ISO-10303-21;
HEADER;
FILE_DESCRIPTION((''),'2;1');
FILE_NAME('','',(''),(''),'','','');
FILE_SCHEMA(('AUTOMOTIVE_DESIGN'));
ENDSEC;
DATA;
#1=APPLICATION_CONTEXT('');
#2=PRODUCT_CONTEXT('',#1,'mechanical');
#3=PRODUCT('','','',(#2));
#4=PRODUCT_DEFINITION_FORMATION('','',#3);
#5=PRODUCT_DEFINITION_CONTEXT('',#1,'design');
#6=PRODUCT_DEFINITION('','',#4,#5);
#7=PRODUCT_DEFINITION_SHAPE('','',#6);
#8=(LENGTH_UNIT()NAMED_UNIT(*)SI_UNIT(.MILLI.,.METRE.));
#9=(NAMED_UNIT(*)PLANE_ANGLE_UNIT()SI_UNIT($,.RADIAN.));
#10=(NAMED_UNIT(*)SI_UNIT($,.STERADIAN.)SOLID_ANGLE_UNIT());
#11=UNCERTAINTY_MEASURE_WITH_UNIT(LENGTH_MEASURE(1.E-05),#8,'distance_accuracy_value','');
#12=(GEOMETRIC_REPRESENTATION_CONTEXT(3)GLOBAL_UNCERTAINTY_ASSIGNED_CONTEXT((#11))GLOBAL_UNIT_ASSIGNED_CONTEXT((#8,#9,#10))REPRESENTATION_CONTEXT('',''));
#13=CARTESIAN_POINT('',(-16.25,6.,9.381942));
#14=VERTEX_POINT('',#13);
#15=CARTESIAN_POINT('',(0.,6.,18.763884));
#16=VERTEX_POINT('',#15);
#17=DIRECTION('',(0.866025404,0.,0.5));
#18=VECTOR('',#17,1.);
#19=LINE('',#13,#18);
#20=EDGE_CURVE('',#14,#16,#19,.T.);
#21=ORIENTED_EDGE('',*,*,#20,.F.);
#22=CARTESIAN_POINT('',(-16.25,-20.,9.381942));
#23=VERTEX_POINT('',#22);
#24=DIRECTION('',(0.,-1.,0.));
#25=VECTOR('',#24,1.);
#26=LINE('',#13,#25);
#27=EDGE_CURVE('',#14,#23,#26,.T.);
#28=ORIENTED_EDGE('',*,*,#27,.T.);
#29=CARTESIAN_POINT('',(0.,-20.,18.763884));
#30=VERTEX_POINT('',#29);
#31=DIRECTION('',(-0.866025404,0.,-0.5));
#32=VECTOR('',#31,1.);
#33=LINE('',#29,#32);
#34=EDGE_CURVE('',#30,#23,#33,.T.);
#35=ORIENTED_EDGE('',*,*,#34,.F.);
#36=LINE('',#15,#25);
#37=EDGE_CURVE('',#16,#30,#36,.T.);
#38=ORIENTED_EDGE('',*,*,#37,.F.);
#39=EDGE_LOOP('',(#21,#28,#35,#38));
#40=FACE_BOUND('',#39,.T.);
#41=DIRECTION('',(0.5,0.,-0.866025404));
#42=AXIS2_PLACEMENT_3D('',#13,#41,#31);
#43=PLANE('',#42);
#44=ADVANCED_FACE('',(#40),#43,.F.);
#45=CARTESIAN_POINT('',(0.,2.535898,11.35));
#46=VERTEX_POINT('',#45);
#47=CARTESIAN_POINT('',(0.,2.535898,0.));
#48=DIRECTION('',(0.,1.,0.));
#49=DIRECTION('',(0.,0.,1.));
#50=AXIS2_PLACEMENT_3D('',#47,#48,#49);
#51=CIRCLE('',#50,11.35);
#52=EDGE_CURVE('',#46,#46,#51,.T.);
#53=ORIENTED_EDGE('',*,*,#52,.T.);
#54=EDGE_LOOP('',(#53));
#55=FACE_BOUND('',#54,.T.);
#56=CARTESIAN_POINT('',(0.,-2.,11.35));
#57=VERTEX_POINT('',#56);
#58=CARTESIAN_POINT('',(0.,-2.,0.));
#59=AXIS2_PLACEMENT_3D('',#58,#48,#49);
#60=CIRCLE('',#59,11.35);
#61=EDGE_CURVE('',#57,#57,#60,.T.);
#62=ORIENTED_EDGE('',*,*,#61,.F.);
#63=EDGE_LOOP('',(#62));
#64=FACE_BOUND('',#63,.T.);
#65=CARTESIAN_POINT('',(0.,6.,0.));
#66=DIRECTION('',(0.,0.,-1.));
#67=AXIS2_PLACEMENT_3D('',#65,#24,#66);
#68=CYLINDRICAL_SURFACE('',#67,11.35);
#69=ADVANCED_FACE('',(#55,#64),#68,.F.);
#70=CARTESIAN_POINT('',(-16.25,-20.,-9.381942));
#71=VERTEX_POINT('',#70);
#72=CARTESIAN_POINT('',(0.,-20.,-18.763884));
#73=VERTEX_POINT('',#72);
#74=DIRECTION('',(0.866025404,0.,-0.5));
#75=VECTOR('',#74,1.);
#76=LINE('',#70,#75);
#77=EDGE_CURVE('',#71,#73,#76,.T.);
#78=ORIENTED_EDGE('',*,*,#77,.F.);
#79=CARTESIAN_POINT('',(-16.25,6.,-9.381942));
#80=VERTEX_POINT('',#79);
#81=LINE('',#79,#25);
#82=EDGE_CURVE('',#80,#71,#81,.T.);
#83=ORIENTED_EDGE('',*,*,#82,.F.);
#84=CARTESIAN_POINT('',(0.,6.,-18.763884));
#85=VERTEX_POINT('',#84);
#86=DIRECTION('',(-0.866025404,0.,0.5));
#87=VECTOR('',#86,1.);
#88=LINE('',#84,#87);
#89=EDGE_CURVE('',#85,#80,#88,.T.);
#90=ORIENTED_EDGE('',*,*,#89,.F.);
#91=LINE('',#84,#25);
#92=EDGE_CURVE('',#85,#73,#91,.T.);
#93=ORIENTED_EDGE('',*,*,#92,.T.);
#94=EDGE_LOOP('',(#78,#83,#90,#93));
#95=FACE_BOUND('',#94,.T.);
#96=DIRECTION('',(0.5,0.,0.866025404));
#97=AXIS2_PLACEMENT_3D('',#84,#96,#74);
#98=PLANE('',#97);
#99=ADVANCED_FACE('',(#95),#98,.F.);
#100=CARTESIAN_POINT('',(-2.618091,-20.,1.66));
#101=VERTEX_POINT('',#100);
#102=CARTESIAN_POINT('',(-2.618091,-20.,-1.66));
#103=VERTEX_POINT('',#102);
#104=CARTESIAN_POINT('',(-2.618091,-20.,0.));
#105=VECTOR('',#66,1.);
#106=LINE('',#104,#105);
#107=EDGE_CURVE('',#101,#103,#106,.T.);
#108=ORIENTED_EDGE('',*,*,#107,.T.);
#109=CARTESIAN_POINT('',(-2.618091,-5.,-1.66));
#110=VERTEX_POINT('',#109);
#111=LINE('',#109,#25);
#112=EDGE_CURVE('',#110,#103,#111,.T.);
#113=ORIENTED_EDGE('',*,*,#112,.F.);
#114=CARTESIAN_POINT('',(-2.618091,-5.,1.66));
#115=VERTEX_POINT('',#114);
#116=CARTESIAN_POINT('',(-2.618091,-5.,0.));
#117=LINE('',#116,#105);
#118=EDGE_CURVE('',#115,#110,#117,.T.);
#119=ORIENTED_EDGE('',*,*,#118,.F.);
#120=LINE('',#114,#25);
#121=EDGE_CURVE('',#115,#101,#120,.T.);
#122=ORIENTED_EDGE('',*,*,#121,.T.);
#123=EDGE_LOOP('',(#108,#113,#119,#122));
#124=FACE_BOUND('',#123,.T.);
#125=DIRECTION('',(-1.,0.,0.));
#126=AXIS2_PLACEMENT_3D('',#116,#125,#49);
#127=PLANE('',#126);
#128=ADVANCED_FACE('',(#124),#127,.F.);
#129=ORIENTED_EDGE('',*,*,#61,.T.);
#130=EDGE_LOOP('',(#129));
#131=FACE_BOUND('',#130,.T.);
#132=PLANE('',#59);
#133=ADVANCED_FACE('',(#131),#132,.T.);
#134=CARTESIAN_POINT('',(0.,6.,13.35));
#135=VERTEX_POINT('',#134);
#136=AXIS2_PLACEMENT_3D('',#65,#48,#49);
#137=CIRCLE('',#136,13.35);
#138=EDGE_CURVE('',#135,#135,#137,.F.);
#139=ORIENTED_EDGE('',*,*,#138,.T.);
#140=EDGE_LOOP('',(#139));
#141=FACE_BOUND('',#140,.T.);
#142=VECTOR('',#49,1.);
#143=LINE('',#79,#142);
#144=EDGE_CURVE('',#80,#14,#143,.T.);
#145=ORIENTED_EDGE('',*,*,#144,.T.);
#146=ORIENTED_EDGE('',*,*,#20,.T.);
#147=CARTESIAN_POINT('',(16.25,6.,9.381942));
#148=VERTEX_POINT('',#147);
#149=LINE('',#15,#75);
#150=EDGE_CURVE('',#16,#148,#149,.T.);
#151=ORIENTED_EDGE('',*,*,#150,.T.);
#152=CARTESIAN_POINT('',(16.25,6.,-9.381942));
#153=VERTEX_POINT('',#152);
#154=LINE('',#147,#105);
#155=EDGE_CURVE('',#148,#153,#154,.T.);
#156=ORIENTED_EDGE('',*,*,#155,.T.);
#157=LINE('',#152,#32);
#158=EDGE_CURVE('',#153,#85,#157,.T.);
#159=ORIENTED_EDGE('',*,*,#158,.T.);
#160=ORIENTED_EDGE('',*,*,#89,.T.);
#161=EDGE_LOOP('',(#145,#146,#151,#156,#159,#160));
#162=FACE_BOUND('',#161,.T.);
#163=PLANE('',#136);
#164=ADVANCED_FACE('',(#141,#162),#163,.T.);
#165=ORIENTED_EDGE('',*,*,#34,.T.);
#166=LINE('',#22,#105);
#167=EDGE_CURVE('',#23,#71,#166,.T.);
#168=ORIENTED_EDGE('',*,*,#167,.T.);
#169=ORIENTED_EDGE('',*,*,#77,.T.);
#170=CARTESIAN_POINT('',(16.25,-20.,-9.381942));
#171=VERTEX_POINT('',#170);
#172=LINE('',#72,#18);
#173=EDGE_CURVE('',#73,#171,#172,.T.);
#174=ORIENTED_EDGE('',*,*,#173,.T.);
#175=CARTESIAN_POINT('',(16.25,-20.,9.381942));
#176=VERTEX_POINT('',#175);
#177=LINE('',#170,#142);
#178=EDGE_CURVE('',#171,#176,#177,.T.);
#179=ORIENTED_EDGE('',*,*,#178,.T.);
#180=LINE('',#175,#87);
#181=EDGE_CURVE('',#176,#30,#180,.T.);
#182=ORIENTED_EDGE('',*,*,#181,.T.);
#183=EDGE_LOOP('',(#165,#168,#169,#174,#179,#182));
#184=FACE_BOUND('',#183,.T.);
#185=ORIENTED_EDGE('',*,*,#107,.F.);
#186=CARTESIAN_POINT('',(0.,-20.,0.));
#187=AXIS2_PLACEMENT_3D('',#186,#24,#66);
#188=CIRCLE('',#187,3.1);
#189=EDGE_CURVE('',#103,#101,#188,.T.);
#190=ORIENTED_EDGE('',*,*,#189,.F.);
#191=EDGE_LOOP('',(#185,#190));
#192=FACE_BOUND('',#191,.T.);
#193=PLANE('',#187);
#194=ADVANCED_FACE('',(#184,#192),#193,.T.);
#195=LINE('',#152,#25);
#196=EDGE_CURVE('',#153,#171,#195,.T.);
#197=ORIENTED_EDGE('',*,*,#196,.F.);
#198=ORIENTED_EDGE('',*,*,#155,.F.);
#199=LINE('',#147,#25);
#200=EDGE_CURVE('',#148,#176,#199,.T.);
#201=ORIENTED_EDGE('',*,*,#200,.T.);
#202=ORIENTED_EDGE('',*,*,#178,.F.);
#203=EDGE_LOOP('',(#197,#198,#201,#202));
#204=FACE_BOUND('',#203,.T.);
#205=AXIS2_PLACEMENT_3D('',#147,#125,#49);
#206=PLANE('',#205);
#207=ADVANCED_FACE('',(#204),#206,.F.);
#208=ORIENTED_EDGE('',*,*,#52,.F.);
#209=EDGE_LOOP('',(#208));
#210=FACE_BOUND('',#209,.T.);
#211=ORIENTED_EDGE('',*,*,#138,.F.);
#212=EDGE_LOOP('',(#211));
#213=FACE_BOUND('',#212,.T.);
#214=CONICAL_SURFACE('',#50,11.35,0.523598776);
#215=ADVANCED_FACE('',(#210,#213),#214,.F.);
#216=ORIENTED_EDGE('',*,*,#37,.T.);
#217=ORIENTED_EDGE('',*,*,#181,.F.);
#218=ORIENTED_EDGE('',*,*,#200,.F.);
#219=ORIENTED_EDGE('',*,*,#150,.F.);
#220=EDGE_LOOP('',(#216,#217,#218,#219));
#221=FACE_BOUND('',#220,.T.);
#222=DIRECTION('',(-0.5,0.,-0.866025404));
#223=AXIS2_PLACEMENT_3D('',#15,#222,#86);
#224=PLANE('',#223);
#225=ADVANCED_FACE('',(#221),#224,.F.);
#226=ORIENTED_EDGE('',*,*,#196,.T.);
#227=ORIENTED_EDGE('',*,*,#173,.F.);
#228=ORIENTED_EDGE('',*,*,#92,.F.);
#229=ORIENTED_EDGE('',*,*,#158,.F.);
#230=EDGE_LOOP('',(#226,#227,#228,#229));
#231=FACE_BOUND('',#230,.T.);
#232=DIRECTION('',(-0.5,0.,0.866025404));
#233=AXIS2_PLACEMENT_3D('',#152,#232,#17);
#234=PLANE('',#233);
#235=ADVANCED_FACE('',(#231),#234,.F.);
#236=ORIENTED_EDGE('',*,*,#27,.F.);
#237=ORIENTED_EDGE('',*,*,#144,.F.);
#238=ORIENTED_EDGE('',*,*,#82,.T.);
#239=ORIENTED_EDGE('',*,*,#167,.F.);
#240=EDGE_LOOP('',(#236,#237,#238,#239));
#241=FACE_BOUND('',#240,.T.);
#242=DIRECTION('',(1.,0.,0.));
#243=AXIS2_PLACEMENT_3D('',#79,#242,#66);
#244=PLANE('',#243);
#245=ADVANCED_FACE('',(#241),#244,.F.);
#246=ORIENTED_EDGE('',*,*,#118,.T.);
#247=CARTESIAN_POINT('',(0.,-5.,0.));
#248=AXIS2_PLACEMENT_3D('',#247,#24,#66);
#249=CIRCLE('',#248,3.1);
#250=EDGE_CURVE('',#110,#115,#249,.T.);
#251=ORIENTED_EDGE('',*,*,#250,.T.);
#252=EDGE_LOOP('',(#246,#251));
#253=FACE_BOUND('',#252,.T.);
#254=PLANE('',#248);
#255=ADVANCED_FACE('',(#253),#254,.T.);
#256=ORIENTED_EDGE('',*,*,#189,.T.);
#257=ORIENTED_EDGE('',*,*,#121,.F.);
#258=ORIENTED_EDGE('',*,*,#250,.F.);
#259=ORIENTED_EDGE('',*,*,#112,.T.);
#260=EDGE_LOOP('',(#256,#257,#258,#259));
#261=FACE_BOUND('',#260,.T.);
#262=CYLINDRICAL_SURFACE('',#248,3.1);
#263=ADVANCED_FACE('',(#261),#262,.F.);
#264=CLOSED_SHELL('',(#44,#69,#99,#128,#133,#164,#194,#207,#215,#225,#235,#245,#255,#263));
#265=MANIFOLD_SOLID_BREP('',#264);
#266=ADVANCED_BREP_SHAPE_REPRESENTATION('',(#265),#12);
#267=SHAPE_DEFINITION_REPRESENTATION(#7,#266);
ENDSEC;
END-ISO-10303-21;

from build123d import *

# Parameters (mm, degrees)
SKETCH1_R           = 11.35
BOSS_EXTRUDE1_DEPTH = 6
BOSS_EXTRUDE4_DEPTH = 20
CUT_EXTRUDE2_DEPTH  = 15
CHAMFER3_SIZE       = 2
CHAMFER3_SIZE2      = 3.464101615
CUT_EXTRUDE4_START  = -2
SKETCH9_R           = 11.35
CUT_EXTRUDE4_DEPTH  = 2


with BuildPart() as part:
    # Sketch1 → Boss-Extrude1 (new body)
    with BuildSketch(Plane(origin=(0, 0, 0), x_dir=(1, 0, 0), z_dir=(0, 1, 0))):
        Polygon((16.25, 9.381941874), (0, 18.763883749), (-16.25, 9.381941874), (-16.25, -9.381941874), (0, -18.763883749), (16.25, -9.381941874), align=None)
        Circle(SKETCH1_R, mode=Mode.SUBTRACT)
    extrude(amount=BOSS_EXTRUDE1_DEPTH)

    # Sketch5 → Boss-Extrude4 (add)
    with BuildSketch(Plane.XZ):
        Polygon((16.25, 9.381941874), (0, 18.763883749), (-16.25, 9.381941874), (-16.25, -9.381941874), (0, -18.763883749), (16.25, -9.381941874), align=None)
    extrude(amount=BOSS_EXTRUDE4_DEPTH)

    # Sketch6 → Cut-Extrude2 (cut)
    with BuildSketch(Plane.XZ.offset(20)):
        with BuildLine():
            ThreePointArc((-2.618090908, -1.66), (3.1, 0), (-2.618090908, 1.66))
            Line((-2.618090908, 1.66), (-2.618090908, -1.66))
        make_face()
    extrude(amount=-CUT_EXTRUDE2_DEPTH, mode=Mode.SUBTRACT)

    # Chamfer3
    chamfer3_edges = [part.edges().sort_by_distance(p)[0] for p in [
        (-11.35, 6, 0),
    ]]
    chamfer3_side = [part.faces().sort_by_distance(p)[0] for p in [
        (7.87677715, 6, -13.642978223),
    ]]
    chamfer(chamfer3_edges, length=CHAMFER3_SIZE, length2=CHAMFER3_SIZE2, reference=chamfer3_side[0])

    # Sketch9 → Cut-Extrude4 (cut)
    with BuildSketch(Plane(origin=(0, 0, 0), x_dir=(1, 0, 0), z_dir=(0, 1, 0)).offset(CUT_EXTRUDE4_START)):
        Circle(SKETCH9_R)
    extrude(amount=CUT_EXTRUDE4_DEPTH, mode=Mode.SUBTRACT)


solid = part.part
